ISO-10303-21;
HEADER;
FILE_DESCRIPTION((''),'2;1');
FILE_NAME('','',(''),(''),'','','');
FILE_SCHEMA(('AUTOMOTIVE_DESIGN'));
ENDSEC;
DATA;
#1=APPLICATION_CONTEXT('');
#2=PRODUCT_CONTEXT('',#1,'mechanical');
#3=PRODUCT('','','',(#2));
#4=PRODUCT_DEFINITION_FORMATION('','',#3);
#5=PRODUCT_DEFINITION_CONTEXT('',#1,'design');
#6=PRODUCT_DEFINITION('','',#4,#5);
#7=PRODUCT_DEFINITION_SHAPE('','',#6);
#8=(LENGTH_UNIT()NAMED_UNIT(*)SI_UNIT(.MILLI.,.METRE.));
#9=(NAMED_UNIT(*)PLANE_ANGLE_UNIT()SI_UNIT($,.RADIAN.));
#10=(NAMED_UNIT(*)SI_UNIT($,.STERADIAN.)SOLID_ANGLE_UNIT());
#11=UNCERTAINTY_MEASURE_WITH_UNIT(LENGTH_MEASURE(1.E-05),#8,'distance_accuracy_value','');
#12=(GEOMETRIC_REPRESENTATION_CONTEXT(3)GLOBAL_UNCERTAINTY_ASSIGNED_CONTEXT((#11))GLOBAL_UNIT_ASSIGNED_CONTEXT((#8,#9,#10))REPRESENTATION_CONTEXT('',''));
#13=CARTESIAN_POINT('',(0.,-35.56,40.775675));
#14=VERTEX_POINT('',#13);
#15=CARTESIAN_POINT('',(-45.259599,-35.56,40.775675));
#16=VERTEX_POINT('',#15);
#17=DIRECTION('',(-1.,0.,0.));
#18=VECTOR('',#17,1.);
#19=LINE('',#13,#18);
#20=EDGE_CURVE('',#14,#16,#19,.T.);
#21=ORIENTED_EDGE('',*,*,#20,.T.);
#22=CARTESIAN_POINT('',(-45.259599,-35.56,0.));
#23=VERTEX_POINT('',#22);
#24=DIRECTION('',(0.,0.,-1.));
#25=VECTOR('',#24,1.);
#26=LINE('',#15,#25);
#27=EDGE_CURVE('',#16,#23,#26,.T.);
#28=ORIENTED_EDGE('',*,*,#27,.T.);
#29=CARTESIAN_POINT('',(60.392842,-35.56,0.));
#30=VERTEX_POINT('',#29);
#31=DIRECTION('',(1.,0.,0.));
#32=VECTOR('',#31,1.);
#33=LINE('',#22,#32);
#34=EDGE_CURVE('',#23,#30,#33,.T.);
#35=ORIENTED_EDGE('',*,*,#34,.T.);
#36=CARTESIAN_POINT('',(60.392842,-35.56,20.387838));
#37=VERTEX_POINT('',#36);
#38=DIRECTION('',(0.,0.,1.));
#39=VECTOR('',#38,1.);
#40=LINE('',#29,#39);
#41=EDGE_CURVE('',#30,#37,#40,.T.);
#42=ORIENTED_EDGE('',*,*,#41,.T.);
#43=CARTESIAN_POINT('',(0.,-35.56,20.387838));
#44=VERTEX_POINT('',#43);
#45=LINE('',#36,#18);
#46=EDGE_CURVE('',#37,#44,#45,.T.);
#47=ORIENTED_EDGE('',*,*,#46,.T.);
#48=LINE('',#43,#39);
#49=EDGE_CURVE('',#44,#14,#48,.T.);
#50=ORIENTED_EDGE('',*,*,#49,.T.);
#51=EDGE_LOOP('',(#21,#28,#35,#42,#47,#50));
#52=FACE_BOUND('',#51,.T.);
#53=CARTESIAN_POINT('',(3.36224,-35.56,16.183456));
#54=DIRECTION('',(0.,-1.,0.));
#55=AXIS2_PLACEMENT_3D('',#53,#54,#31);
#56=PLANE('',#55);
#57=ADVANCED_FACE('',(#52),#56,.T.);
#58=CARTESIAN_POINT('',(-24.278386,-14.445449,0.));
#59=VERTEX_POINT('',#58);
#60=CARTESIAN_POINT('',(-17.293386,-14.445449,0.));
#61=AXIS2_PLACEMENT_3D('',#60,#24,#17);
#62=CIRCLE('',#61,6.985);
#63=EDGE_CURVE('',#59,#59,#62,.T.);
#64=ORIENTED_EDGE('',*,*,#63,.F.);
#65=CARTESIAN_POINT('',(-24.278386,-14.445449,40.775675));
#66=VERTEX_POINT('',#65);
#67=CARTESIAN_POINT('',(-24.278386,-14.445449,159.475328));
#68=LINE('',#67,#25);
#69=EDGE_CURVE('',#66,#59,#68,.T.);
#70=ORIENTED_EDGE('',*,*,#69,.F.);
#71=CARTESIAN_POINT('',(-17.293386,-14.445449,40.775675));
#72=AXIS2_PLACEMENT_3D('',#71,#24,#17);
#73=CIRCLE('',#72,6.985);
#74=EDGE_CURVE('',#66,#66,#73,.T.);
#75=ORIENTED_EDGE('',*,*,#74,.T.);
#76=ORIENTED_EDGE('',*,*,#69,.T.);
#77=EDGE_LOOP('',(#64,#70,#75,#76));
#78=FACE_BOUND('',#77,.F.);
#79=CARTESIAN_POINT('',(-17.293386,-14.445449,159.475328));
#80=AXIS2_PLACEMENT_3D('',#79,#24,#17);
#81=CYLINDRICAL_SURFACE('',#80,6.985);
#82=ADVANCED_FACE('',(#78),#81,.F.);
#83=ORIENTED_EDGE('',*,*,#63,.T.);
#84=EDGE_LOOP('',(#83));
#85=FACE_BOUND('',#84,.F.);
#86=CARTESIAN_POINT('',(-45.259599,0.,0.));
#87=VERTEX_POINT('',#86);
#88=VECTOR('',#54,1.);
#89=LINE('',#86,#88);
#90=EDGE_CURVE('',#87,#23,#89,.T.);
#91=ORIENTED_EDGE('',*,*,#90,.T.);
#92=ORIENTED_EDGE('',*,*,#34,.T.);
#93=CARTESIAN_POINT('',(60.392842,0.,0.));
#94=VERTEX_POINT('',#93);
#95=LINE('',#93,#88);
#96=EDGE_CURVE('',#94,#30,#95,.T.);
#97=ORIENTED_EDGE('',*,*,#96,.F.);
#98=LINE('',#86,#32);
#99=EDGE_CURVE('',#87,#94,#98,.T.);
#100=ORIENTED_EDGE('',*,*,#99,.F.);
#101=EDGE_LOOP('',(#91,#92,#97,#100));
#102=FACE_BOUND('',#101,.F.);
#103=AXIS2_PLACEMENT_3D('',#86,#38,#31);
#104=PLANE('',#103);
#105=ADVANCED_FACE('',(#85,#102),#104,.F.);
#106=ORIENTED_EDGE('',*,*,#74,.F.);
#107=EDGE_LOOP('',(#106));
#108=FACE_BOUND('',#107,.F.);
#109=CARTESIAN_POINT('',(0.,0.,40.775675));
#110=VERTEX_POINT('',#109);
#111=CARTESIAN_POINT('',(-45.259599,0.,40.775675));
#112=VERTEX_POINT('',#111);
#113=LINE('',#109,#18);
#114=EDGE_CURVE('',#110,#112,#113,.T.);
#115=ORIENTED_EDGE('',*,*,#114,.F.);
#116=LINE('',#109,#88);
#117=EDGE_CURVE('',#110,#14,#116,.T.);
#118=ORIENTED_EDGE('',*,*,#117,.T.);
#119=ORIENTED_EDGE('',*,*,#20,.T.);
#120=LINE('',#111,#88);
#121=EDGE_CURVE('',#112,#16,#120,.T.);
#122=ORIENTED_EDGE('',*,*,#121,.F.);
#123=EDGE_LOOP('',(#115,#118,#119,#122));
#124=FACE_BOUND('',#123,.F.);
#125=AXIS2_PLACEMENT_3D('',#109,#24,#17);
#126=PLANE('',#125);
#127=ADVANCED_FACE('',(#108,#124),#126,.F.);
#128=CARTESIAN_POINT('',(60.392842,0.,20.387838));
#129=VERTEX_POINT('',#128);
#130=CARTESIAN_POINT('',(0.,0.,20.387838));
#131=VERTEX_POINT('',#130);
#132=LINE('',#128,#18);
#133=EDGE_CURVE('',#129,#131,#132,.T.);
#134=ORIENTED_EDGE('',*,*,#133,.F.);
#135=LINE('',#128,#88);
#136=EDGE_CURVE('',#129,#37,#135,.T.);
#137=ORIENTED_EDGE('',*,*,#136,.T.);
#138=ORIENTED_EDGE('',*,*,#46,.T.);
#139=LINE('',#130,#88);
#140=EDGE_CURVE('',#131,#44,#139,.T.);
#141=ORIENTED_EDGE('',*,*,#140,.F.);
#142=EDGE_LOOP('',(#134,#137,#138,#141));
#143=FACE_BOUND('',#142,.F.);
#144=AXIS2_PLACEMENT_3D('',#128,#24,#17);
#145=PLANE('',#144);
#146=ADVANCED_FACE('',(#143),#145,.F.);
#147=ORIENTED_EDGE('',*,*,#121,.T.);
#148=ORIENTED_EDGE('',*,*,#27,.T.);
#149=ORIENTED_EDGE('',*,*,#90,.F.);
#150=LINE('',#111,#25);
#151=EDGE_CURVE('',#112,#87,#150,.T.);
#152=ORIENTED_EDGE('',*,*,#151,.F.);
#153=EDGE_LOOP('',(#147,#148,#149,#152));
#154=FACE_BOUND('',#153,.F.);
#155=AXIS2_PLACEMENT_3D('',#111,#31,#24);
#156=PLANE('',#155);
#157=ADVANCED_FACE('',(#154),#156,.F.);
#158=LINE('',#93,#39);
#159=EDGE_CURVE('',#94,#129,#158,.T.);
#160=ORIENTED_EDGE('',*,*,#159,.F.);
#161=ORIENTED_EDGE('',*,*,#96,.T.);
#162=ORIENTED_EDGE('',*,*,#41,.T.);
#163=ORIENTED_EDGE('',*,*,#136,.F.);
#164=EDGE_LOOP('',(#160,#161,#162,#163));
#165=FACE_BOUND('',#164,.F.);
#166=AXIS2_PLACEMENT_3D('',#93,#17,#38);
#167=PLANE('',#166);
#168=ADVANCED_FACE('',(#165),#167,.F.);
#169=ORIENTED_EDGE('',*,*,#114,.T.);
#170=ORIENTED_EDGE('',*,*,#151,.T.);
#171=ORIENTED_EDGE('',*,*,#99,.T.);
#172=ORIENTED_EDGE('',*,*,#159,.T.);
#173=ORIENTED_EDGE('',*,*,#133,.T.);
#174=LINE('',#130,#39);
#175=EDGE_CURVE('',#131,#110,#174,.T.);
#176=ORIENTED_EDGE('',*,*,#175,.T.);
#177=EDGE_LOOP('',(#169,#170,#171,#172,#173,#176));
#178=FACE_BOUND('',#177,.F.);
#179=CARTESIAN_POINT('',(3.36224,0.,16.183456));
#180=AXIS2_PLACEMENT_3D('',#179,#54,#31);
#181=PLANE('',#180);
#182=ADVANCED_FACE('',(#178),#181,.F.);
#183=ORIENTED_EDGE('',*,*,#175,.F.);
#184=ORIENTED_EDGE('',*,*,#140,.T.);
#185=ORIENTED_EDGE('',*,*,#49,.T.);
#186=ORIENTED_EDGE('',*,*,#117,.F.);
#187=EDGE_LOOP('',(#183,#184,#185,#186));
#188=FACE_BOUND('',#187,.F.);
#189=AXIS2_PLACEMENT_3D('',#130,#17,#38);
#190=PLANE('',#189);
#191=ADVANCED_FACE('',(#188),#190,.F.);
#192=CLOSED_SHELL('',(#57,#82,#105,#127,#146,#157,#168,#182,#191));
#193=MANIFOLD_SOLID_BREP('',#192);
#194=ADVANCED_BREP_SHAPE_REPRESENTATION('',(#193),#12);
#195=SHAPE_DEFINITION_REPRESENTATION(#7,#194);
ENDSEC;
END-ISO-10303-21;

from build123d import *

# Parameters (mm, degrees)
F1_DEPTH = 35.56
F3_D     = 13.97


with BuildPart() as f1:
    # F0 (on Front) → F1 (new body)
    with BuildSketch(Plane.XZ):
        Polygon((-45.259599, 0), (0, 0), (60.392842, 0), (60.392842, 20.387838), (0, 20.387838), (0, 40.775675), (-45.259599, 40.775675), align=None)
    extrude(amount=F1_DEPTH)

    # F3 (through all)
    with Locations(Plane.XY.offset(40.775675)):
        with Locations((-17.293386, -14.445449)):
            Hole(F3_D / 2)


solid = f1.part
